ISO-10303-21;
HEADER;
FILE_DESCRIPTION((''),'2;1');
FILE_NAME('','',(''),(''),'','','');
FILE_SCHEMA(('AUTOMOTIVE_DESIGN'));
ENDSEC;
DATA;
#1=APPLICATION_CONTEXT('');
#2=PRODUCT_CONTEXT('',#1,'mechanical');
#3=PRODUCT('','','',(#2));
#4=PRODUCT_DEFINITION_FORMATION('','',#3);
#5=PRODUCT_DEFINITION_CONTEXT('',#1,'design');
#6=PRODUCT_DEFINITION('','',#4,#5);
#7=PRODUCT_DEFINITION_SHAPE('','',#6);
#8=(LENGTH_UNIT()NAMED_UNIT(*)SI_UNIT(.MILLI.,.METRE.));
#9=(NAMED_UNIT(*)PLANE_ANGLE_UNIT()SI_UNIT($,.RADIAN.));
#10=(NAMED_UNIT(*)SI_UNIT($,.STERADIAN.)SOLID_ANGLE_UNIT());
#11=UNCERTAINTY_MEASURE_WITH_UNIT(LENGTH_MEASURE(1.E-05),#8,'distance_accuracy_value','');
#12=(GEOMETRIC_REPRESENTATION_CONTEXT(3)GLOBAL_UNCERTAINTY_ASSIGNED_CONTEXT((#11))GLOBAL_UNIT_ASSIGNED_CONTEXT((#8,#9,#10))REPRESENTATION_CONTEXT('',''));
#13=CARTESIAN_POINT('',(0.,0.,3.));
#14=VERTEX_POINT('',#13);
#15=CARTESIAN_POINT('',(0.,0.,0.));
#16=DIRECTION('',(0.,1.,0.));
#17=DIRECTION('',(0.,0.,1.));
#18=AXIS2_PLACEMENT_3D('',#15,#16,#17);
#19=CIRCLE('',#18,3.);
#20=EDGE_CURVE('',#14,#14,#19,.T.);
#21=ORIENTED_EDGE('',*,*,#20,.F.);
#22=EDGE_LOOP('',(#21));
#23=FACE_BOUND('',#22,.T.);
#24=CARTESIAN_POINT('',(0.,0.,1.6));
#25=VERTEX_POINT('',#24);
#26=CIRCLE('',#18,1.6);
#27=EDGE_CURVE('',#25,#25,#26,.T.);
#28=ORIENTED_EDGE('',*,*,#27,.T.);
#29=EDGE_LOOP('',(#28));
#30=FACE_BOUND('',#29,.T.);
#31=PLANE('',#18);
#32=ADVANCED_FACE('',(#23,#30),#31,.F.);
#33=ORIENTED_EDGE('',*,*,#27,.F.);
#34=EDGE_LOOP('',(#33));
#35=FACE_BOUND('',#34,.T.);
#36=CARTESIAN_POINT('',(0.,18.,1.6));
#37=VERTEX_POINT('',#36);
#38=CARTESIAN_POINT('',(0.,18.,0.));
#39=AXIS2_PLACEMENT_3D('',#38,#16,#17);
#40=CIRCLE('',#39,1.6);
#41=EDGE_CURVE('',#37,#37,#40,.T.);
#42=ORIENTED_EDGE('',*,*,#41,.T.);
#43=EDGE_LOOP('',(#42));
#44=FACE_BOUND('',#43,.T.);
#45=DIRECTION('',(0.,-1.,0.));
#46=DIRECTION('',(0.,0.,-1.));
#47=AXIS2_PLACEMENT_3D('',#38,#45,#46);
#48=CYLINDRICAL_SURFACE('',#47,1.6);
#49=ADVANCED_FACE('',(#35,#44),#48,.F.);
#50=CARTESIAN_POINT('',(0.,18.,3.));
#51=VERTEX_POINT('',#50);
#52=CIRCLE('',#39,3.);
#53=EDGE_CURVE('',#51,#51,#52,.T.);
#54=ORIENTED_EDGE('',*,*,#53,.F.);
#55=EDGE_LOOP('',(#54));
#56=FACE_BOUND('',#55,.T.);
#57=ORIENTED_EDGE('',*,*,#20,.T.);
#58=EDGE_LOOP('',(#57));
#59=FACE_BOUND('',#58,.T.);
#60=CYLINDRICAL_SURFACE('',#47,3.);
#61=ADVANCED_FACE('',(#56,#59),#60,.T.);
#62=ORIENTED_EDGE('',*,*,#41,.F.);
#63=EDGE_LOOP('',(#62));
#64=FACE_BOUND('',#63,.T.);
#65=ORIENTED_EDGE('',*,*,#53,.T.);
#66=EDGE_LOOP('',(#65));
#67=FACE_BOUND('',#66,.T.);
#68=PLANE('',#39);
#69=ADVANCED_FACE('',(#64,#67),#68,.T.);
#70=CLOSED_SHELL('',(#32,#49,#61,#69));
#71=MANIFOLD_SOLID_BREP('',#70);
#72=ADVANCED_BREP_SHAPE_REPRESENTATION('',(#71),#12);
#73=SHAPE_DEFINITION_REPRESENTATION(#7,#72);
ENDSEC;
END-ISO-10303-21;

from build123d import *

# Parameters (mm, degrees)
SKETCH1_R           = 3
SKETCH1_R_2         = 1.6
BOSS_EXTRUDE1_DEPTH = 18


with BuildPart() as part:
    # Sketch1 → Boss-Extrude1 (new body)
    with BuildSketch(Plane(origin=(0, 0, 0), x_dir=(1, 0, 0), z_dir=(0, 1, 0))):
        Circle(SKETCH1_R)
        Circle(SKETCH1_R_2, mode=Mode.SUBTRACT)
    extrude(amount=BOSS_EXTRUDE1_DEPTH)


solid = part.part
